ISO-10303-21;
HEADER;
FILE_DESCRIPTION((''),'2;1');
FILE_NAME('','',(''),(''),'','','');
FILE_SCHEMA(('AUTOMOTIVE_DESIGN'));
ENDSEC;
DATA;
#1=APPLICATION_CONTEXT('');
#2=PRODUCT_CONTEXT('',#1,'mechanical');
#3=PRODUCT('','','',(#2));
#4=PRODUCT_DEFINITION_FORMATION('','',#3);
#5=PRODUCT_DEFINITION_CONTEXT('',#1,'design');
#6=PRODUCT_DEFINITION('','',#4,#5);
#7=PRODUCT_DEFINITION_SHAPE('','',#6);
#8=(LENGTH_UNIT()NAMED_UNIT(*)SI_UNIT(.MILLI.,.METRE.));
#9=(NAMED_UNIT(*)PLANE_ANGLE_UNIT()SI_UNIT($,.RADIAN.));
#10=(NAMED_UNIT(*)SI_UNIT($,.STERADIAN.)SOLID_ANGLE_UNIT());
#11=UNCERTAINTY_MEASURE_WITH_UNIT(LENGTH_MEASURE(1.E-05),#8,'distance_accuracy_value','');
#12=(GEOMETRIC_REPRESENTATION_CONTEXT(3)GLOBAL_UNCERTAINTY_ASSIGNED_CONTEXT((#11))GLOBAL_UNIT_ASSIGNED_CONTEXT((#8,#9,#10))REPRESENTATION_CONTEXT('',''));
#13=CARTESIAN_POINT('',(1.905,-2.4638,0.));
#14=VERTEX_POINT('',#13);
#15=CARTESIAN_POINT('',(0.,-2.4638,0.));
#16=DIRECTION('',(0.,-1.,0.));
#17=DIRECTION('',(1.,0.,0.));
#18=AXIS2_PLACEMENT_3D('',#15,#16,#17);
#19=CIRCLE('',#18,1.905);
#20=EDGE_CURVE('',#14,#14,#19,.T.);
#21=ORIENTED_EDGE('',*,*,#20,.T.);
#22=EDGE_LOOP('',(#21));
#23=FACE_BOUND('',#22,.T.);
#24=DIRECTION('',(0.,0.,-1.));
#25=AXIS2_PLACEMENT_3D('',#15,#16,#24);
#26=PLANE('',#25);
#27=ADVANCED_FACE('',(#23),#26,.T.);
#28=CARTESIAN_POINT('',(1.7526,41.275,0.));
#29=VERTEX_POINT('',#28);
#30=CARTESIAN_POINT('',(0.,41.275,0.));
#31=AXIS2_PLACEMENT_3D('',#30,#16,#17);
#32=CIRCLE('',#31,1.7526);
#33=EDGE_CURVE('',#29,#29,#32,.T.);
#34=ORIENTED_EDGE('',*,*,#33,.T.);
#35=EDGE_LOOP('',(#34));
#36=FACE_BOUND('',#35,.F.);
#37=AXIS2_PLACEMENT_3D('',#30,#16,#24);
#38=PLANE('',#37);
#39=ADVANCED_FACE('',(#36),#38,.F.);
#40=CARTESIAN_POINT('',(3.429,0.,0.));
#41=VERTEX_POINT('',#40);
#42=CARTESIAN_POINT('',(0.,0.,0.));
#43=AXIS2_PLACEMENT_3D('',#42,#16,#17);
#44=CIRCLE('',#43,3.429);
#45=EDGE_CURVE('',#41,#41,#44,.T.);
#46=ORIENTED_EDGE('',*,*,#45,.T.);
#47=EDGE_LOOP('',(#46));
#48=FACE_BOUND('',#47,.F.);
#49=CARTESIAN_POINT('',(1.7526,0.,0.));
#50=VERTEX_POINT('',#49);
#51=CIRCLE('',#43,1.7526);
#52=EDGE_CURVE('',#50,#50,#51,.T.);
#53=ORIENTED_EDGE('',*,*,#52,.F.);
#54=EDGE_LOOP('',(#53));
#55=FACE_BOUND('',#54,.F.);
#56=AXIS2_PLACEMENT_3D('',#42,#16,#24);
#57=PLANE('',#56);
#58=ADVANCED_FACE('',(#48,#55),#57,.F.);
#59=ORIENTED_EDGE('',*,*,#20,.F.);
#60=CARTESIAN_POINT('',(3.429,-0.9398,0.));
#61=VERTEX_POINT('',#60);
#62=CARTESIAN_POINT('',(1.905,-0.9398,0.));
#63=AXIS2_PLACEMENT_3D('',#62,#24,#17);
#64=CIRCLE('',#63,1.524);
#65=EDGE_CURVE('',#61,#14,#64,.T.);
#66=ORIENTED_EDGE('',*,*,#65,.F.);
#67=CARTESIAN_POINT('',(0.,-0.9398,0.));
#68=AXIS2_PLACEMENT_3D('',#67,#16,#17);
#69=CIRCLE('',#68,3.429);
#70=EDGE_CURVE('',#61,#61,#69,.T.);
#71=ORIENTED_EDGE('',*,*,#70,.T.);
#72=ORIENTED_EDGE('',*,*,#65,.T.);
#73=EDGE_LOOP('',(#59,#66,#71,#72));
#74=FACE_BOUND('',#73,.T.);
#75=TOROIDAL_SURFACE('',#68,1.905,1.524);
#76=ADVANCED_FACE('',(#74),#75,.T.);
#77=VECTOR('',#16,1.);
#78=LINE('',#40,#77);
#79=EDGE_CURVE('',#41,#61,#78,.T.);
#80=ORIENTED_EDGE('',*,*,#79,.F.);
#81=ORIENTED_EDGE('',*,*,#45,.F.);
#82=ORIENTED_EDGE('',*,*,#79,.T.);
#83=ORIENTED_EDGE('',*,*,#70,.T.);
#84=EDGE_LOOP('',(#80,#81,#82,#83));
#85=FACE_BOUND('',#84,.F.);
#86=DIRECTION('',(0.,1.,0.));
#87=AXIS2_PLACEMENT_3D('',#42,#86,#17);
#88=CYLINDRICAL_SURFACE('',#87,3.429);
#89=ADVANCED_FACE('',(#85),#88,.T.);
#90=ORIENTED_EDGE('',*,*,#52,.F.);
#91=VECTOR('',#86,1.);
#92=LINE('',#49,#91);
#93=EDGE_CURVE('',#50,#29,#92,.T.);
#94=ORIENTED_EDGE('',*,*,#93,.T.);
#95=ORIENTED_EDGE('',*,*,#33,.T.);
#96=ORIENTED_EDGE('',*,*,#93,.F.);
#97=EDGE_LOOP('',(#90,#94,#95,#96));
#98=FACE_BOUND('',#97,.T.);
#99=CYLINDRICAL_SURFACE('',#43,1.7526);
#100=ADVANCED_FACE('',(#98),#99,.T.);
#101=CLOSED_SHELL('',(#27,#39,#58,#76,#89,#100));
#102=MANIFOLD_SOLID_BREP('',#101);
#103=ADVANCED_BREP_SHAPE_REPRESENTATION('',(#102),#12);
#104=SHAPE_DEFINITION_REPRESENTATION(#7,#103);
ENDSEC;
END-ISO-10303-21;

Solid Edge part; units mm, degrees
sketch "Sketch1" plane through (0, 0, 0) normal (0, -1, 0) x (1, 0, 0)
  circle A0 centre (0, 0) radius 1.7526
  dimension "D1" = 3.5052
extrude "Protrusion1" add sketch "Sketch1" against normal blind 41.275
cosmetic_thread "Thread1" size "#6-32 UNC"
sketch "Sketch2" plane through (0, 0, 0) normal (0, -1, 0) x (1, 0, 0)
  circle A0 centre (0, 0) radius 3.429
  dimension "D1" = 6.858
extrude "ExtrudedProtrusion_2" add sketch "Sketch2" along normal blind 2.4638
fillet "Round_1" radius 1.524 1 edges at (-3.429, -2.4638, 0)
properties part number "91772A159"
